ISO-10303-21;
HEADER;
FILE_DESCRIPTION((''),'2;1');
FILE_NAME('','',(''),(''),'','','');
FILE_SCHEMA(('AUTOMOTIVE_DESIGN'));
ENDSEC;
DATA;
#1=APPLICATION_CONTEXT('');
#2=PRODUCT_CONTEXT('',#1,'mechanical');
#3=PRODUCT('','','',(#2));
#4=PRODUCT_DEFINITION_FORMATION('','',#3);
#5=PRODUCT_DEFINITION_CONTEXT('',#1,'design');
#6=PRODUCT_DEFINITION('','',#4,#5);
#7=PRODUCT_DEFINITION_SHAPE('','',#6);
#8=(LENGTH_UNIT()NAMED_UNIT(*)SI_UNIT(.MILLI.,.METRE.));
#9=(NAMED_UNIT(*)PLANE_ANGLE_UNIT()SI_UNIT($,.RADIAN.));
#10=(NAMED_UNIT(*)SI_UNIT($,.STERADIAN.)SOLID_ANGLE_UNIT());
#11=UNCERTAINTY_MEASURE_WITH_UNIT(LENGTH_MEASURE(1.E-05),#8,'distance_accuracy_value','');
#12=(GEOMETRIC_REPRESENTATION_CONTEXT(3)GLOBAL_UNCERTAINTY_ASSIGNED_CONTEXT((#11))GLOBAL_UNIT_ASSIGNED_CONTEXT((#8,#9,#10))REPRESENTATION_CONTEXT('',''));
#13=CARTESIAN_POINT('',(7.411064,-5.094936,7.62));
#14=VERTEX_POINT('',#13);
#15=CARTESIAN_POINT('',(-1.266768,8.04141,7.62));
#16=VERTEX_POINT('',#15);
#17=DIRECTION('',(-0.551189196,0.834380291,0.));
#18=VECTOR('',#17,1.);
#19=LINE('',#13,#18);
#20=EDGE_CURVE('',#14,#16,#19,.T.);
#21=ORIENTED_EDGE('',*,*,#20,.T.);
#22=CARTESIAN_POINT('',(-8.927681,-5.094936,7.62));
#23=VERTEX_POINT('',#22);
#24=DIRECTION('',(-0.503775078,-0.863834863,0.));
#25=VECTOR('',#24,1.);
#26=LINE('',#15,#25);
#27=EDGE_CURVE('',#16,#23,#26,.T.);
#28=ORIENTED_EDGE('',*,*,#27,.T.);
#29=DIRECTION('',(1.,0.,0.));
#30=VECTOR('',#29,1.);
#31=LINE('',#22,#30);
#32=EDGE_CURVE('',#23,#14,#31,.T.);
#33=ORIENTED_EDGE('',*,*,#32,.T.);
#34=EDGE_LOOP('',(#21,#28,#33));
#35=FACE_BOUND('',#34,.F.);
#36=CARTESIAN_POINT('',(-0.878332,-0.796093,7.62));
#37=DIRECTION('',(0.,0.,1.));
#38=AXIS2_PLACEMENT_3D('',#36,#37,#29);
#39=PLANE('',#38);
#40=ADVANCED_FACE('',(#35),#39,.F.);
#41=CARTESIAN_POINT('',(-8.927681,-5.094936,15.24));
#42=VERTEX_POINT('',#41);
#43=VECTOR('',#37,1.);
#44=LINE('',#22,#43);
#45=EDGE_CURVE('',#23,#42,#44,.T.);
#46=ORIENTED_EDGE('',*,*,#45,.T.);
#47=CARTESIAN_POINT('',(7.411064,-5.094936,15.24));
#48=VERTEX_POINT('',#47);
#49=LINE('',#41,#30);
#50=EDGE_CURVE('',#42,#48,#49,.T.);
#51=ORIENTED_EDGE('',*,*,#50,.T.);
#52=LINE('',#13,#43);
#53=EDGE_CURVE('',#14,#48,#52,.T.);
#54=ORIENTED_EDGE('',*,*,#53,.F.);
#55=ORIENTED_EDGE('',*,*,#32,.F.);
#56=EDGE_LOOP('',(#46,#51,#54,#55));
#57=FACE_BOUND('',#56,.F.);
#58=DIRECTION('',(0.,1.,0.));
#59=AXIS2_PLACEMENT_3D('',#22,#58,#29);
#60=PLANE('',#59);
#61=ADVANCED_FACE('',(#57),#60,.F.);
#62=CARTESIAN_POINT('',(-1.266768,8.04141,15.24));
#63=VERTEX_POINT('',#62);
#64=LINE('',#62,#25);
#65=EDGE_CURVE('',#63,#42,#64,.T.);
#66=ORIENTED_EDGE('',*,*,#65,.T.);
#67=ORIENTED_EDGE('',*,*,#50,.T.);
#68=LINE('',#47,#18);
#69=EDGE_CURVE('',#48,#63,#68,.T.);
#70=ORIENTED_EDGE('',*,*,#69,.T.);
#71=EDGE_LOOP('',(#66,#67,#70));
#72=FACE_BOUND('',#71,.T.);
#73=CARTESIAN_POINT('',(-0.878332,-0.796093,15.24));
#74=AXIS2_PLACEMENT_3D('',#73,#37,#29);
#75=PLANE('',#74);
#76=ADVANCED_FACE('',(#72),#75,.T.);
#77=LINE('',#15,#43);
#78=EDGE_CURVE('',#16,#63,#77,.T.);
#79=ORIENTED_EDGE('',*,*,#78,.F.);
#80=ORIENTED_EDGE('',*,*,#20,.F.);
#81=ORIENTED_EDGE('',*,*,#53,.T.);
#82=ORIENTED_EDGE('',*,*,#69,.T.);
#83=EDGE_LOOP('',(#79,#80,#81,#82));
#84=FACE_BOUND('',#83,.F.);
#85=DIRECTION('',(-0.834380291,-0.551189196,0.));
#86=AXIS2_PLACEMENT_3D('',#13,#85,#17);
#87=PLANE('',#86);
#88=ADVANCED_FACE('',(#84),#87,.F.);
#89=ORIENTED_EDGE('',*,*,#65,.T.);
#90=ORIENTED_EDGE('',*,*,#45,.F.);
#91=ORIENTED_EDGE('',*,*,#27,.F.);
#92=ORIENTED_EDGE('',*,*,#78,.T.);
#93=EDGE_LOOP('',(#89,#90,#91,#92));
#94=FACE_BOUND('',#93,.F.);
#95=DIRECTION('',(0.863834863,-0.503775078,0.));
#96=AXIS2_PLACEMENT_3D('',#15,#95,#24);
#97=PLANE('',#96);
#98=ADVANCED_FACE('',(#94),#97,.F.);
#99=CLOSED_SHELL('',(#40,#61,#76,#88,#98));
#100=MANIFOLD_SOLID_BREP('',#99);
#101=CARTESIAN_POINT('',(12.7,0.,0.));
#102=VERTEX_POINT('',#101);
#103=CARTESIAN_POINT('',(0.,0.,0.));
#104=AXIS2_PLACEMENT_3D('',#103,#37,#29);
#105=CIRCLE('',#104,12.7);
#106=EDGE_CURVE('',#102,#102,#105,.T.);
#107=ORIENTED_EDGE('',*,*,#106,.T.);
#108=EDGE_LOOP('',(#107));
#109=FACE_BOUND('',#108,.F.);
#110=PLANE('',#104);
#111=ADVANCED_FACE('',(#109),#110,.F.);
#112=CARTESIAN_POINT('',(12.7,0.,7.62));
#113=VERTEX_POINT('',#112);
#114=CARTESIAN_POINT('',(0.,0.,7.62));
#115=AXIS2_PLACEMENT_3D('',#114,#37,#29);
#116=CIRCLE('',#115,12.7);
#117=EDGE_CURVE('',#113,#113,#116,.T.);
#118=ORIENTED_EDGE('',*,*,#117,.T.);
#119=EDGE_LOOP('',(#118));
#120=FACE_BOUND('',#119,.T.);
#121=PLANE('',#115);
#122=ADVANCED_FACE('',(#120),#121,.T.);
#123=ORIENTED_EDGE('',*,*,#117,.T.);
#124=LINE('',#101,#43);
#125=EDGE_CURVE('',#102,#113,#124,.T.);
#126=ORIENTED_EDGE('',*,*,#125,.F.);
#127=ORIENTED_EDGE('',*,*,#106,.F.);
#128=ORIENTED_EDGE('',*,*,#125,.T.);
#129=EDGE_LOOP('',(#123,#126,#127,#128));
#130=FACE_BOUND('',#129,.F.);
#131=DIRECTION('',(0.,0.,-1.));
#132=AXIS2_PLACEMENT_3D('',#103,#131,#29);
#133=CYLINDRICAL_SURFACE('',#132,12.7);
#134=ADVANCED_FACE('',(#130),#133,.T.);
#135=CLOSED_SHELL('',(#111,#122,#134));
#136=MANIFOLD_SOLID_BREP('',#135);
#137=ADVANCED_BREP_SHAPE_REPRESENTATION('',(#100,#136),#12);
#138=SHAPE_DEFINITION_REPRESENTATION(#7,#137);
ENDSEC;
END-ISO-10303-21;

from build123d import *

# Parameters (mm, degrees)
F0_R     = 12.7
F1_DEPTH = 7.62
F3_DEPTH = 7.62


with BuildPart() as f1:
    # F0 (on Top) → F1 (new body)
    with BuildSketch(Plane.XY):
        Circle(F0_R)
    extrude(amount=F1_DEPTH)


with BuildPart() as f3:
    # F2 (on face) → F3 (new body)
    with BuildSketch(Plane.XY.offset(7.62)):
        Polygon((7.411064, -5.094936), (-1.266768, 8.04141), (-8.927681, -5.094936), align=None)
    extrude(amount=F3_DEPTH)


solid = Compound([f1.part, f3.part])
